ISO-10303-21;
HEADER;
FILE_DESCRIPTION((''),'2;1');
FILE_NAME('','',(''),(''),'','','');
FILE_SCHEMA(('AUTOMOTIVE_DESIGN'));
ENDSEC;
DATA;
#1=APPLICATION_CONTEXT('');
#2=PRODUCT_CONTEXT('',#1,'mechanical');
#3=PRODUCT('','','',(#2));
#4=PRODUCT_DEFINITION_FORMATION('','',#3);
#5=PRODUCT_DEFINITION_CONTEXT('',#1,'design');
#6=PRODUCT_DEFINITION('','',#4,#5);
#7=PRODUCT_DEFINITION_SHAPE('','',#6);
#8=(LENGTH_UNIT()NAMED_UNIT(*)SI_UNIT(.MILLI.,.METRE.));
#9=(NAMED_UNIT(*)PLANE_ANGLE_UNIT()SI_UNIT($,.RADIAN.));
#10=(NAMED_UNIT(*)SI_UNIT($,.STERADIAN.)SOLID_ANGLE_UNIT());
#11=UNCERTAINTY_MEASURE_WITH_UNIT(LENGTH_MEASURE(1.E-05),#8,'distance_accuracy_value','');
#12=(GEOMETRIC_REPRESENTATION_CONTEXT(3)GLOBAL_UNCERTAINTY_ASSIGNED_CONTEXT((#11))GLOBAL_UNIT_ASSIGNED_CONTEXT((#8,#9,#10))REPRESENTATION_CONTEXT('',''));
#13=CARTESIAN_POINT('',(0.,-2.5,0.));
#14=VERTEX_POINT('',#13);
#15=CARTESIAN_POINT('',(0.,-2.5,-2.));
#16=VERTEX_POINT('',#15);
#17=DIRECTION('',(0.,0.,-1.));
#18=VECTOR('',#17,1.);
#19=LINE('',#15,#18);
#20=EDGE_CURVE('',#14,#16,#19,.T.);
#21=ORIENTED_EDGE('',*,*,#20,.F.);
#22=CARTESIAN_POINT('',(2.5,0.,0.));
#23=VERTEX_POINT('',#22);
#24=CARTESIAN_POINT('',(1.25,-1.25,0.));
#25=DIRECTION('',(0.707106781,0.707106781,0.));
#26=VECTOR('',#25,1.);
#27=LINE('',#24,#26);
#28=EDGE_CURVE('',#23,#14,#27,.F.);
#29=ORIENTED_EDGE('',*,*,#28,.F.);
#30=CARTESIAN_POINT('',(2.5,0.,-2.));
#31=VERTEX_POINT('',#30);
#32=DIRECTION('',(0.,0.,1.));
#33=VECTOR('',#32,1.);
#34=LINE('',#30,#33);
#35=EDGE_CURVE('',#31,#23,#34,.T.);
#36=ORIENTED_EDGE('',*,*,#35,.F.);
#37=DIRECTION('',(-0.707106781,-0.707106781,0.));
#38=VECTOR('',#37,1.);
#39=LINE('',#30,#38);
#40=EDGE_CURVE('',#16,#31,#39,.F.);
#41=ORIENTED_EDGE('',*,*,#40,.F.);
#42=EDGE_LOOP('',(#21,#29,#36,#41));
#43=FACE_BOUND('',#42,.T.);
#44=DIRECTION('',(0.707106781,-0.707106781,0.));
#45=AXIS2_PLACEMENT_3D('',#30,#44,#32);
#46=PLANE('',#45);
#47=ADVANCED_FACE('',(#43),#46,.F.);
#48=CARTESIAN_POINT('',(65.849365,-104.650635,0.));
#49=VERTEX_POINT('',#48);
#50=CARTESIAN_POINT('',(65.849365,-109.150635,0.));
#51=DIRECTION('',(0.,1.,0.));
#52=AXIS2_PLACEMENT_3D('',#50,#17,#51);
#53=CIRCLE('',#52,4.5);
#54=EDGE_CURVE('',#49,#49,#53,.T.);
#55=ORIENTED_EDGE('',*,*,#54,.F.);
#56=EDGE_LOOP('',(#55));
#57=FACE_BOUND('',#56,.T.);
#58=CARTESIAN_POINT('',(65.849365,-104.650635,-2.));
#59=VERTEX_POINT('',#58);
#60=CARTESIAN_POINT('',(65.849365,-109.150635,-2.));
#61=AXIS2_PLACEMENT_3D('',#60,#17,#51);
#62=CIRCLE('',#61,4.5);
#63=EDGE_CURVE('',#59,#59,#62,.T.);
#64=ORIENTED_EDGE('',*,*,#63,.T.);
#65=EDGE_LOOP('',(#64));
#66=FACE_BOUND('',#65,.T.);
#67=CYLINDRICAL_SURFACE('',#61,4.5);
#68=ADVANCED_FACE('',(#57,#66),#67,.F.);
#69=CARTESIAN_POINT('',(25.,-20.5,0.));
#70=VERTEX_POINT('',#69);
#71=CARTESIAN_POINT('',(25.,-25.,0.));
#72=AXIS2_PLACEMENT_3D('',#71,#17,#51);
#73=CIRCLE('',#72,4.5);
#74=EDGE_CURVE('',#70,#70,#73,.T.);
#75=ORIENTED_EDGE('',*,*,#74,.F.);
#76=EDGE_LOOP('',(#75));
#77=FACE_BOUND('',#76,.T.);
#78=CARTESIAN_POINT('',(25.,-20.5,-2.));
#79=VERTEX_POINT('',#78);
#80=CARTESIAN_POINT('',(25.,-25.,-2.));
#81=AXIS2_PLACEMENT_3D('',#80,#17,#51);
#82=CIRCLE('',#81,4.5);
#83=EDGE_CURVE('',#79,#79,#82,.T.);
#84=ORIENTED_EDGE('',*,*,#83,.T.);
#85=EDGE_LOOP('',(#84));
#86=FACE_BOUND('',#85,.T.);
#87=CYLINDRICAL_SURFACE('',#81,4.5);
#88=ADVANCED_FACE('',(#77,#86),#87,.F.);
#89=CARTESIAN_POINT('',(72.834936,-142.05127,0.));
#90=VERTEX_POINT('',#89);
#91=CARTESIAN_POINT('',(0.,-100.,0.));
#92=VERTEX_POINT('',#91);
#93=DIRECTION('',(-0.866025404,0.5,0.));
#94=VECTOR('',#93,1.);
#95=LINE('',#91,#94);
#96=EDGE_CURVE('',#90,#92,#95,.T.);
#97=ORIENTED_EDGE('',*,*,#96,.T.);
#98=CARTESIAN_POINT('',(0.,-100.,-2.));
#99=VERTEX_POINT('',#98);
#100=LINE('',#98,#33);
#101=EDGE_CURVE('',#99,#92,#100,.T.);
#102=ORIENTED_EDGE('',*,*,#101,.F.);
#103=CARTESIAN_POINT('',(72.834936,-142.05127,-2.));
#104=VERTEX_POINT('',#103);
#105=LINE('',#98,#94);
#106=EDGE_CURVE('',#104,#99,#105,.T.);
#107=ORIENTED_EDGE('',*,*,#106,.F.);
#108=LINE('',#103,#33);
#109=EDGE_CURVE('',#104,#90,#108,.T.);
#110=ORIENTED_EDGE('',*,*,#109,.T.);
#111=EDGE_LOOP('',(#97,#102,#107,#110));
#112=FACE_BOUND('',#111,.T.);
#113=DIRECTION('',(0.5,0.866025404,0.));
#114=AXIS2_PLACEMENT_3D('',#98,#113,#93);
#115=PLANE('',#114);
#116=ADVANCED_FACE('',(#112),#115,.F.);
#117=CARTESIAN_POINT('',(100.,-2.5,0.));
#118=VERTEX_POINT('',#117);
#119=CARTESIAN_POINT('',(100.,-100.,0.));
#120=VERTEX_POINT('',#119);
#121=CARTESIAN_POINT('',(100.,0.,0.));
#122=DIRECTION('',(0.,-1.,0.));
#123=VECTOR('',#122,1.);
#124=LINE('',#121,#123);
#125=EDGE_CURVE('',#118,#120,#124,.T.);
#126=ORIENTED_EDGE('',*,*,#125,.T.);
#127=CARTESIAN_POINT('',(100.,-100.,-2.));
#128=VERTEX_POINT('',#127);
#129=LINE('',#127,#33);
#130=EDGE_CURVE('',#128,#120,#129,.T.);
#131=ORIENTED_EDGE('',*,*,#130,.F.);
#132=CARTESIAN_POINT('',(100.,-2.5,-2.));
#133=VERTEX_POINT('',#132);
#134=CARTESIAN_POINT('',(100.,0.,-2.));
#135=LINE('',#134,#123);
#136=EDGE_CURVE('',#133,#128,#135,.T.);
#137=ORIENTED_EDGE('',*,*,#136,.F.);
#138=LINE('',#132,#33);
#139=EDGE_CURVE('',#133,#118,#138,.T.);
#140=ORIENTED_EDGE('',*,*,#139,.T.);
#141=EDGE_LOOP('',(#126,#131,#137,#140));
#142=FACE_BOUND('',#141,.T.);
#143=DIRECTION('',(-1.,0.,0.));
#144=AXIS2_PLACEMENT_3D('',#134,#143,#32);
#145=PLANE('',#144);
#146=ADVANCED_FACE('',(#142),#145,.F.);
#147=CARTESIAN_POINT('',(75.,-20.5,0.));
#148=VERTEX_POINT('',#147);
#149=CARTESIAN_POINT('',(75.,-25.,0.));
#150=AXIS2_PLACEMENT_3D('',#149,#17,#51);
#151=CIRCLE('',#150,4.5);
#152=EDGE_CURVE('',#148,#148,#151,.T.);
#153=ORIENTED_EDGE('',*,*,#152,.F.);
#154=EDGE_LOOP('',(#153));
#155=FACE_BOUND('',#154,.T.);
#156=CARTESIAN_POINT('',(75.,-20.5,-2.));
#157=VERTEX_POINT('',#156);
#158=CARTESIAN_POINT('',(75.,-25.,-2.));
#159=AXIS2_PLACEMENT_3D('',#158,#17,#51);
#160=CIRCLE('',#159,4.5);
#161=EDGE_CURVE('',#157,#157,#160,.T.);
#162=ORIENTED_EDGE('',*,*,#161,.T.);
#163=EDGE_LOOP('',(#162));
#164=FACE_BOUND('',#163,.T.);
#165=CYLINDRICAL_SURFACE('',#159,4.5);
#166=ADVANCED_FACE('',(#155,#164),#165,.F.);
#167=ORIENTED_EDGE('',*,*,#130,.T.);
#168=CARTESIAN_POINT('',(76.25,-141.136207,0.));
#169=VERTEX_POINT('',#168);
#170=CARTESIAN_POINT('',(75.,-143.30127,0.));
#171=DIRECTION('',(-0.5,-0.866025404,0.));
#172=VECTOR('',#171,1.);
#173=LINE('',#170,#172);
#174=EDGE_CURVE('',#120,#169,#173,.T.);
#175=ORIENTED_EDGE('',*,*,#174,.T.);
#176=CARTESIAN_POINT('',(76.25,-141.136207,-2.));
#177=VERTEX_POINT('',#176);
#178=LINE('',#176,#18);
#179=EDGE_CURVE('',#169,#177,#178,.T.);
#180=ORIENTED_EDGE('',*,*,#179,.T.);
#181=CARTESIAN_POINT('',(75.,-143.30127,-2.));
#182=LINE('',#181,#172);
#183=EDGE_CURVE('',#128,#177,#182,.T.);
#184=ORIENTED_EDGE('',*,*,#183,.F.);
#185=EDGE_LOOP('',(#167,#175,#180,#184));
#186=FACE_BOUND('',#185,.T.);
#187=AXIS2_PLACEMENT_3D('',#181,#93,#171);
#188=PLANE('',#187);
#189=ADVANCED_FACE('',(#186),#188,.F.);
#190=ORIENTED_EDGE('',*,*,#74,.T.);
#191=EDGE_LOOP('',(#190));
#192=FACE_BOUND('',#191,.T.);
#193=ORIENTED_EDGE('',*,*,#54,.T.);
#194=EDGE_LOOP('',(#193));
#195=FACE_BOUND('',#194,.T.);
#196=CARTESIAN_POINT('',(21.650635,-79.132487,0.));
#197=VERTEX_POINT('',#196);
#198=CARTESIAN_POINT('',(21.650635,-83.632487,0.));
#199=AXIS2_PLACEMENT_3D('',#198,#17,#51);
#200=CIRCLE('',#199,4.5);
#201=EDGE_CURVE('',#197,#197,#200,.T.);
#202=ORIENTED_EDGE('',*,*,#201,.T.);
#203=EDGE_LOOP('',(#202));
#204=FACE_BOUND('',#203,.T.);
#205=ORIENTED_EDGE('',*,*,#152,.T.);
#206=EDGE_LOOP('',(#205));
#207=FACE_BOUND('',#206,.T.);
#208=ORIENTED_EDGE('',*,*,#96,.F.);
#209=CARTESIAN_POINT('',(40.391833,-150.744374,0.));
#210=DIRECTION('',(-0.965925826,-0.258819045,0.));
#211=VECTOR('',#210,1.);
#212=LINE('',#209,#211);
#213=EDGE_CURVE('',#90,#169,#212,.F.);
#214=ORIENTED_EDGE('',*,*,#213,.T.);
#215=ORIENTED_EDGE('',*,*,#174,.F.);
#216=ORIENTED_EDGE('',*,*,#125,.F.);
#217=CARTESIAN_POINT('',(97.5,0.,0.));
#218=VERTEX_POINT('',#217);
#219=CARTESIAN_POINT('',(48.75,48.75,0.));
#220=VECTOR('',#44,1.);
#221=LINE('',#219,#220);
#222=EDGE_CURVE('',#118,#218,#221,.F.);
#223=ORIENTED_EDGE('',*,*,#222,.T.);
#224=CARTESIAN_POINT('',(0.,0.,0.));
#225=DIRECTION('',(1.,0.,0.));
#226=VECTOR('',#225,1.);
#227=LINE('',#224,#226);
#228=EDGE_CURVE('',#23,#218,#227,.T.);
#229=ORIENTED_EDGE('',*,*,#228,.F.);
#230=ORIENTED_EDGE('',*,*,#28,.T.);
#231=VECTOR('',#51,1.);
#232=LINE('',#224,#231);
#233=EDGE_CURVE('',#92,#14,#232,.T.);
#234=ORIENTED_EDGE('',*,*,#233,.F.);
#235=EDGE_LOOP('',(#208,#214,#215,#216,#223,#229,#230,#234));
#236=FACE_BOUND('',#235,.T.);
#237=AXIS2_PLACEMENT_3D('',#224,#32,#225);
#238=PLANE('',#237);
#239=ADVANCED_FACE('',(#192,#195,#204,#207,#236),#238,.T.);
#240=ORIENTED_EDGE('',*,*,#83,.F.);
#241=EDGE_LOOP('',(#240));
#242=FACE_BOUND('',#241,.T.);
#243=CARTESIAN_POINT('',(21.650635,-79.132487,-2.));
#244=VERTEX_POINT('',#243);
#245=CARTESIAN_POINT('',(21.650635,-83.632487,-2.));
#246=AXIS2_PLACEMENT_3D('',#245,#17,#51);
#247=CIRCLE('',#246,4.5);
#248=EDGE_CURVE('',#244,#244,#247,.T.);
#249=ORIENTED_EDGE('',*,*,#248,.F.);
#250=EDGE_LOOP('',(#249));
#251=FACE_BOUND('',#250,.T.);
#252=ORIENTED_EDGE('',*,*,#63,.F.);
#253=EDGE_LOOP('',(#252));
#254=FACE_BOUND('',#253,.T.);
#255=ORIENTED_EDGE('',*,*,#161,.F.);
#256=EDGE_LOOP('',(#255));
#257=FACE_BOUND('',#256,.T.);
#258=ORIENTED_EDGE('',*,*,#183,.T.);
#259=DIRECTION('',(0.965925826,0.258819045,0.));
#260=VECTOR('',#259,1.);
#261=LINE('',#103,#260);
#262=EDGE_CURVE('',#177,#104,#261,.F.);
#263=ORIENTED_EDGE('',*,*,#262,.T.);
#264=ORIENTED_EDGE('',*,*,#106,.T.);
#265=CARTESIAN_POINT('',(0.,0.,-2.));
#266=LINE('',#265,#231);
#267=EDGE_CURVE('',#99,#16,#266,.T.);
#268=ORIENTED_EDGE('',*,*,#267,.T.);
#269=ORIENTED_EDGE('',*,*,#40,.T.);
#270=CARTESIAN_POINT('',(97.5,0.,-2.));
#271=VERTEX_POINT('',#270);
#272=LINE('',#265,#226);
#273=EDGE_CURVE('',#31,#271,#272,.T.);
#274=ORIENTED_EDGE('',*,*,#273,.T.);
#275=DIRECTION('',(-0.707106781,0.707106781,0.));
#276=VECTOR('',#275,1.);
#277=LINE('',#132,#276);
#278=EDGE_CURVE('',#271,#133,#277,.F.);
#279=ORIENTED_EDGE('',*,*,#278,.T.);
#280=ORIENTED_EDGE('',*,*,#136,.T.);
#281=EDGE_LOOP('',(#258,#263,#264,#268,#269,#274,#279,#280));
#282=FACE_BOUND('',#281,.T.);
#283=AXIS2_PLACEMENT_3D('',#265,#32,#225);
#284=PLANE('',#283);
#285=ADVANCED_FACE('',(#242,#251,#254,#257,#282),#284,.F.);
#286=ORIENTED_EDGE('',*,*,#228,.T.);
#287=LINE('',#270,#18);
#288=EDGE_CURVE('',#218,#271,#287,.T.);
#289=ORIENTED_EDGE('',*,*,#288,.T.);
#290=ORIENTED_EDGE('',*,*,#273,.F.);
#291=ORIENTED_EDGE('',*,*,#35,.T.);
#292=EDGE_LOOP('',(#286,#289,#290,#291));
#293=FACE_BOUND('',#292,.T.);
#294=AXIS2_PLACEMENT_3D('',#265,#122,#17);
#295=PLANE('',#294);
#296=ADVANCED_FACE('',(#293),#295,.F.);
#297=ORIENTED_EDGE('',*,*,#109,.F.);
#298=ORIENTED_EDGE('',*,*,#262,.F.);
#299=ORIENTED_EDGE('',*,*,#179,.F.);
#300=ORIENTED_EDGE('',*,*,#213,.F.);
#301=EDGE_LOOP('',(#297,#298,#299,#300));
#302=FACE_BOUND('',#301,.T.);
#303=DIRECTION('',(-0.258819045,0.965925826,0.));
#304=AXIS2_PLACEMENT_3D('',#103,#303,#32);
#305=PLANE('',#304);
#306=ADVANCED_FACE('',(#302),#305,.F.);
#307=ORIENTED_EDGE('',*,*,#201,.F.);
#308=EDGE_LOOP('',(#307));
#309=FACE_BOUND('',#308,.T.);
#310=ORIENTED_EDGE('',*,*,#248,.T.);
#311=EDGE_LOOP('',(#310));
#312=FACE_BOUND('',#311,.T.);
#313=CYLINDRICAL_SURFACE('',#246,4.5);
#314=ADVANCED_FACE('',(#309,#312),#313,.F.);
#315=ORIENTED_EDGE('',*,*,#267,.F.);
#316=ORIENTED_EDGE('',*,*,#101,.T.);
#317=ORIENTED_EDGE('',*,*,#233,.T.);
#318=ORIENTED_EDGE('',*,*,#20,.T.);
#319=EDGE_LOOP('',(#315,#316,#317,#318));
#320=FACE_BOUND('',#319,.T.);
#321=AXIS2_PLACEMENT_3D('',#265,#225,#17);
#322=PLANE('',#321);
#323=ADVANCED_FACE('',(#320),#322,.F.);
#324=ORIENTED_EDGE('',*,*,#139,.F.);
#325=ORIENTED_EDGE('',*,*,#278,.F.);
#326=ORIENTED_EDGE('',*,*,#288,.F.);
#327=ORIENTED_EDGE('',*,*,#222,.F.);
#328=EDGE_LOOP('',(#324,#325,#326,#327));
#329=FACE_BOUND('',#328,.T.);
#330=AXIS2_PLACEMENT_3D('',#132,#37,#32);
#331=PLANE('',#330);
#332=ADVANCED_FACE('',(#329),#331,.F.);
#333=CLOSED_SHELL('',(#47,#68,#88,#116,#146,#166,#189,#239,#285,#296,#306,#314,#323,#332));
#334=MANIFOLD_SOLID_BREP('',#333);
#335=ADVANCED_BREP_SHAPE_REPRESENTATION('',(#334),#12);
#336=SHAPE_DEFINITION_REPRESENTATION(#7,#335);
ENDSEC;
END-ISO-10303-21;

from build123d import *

# Parameters (mm, degrees)
EXTRUDE_1_DEPTH   = 2
HOLE_WIZARD_M81_D = 9
CHAMFER_1_SIZE    = 2.5


with BuildPart() as part:
    # Эскиз3 → Бобышка-Вытянуть1 (new body)
    with BuildSketch(Plane(origin=(0, 0, 0), x_dir=(1, 0, 0), z_dir=(0, 0, -1))):
        Polygon((0, 0), (100, 0), (100, 100), (75, 143.301270189), (0, 100), align=None)
    extrude(amount=EXTRUDE_1_DEPTH)

    # Отверстие с зазором M81 (through all)
    with Locations(Plane(origin=(0, 0, -2), x_dir=(1, 0, 0), z_dir=(0, 0, -1))):
        with Locations((25, 25), (75, 25), (21.650635095, 83.632486541), (65.849364905, 109.150635095)):
            Hole(HOLE_WIZARD_M81_D / 2)

    # Фаска1
    chamfer_1_edges = [part.edges().sort_by_distance(p)[0] for p in [
        (75, -143.301270189, -1),
        (100, 0, -1),
        (0, 0, -1),
    ]]
    chamfer(chamfer_1_edges, length=CHAMFER_1_SIZE)


solid = part.part
